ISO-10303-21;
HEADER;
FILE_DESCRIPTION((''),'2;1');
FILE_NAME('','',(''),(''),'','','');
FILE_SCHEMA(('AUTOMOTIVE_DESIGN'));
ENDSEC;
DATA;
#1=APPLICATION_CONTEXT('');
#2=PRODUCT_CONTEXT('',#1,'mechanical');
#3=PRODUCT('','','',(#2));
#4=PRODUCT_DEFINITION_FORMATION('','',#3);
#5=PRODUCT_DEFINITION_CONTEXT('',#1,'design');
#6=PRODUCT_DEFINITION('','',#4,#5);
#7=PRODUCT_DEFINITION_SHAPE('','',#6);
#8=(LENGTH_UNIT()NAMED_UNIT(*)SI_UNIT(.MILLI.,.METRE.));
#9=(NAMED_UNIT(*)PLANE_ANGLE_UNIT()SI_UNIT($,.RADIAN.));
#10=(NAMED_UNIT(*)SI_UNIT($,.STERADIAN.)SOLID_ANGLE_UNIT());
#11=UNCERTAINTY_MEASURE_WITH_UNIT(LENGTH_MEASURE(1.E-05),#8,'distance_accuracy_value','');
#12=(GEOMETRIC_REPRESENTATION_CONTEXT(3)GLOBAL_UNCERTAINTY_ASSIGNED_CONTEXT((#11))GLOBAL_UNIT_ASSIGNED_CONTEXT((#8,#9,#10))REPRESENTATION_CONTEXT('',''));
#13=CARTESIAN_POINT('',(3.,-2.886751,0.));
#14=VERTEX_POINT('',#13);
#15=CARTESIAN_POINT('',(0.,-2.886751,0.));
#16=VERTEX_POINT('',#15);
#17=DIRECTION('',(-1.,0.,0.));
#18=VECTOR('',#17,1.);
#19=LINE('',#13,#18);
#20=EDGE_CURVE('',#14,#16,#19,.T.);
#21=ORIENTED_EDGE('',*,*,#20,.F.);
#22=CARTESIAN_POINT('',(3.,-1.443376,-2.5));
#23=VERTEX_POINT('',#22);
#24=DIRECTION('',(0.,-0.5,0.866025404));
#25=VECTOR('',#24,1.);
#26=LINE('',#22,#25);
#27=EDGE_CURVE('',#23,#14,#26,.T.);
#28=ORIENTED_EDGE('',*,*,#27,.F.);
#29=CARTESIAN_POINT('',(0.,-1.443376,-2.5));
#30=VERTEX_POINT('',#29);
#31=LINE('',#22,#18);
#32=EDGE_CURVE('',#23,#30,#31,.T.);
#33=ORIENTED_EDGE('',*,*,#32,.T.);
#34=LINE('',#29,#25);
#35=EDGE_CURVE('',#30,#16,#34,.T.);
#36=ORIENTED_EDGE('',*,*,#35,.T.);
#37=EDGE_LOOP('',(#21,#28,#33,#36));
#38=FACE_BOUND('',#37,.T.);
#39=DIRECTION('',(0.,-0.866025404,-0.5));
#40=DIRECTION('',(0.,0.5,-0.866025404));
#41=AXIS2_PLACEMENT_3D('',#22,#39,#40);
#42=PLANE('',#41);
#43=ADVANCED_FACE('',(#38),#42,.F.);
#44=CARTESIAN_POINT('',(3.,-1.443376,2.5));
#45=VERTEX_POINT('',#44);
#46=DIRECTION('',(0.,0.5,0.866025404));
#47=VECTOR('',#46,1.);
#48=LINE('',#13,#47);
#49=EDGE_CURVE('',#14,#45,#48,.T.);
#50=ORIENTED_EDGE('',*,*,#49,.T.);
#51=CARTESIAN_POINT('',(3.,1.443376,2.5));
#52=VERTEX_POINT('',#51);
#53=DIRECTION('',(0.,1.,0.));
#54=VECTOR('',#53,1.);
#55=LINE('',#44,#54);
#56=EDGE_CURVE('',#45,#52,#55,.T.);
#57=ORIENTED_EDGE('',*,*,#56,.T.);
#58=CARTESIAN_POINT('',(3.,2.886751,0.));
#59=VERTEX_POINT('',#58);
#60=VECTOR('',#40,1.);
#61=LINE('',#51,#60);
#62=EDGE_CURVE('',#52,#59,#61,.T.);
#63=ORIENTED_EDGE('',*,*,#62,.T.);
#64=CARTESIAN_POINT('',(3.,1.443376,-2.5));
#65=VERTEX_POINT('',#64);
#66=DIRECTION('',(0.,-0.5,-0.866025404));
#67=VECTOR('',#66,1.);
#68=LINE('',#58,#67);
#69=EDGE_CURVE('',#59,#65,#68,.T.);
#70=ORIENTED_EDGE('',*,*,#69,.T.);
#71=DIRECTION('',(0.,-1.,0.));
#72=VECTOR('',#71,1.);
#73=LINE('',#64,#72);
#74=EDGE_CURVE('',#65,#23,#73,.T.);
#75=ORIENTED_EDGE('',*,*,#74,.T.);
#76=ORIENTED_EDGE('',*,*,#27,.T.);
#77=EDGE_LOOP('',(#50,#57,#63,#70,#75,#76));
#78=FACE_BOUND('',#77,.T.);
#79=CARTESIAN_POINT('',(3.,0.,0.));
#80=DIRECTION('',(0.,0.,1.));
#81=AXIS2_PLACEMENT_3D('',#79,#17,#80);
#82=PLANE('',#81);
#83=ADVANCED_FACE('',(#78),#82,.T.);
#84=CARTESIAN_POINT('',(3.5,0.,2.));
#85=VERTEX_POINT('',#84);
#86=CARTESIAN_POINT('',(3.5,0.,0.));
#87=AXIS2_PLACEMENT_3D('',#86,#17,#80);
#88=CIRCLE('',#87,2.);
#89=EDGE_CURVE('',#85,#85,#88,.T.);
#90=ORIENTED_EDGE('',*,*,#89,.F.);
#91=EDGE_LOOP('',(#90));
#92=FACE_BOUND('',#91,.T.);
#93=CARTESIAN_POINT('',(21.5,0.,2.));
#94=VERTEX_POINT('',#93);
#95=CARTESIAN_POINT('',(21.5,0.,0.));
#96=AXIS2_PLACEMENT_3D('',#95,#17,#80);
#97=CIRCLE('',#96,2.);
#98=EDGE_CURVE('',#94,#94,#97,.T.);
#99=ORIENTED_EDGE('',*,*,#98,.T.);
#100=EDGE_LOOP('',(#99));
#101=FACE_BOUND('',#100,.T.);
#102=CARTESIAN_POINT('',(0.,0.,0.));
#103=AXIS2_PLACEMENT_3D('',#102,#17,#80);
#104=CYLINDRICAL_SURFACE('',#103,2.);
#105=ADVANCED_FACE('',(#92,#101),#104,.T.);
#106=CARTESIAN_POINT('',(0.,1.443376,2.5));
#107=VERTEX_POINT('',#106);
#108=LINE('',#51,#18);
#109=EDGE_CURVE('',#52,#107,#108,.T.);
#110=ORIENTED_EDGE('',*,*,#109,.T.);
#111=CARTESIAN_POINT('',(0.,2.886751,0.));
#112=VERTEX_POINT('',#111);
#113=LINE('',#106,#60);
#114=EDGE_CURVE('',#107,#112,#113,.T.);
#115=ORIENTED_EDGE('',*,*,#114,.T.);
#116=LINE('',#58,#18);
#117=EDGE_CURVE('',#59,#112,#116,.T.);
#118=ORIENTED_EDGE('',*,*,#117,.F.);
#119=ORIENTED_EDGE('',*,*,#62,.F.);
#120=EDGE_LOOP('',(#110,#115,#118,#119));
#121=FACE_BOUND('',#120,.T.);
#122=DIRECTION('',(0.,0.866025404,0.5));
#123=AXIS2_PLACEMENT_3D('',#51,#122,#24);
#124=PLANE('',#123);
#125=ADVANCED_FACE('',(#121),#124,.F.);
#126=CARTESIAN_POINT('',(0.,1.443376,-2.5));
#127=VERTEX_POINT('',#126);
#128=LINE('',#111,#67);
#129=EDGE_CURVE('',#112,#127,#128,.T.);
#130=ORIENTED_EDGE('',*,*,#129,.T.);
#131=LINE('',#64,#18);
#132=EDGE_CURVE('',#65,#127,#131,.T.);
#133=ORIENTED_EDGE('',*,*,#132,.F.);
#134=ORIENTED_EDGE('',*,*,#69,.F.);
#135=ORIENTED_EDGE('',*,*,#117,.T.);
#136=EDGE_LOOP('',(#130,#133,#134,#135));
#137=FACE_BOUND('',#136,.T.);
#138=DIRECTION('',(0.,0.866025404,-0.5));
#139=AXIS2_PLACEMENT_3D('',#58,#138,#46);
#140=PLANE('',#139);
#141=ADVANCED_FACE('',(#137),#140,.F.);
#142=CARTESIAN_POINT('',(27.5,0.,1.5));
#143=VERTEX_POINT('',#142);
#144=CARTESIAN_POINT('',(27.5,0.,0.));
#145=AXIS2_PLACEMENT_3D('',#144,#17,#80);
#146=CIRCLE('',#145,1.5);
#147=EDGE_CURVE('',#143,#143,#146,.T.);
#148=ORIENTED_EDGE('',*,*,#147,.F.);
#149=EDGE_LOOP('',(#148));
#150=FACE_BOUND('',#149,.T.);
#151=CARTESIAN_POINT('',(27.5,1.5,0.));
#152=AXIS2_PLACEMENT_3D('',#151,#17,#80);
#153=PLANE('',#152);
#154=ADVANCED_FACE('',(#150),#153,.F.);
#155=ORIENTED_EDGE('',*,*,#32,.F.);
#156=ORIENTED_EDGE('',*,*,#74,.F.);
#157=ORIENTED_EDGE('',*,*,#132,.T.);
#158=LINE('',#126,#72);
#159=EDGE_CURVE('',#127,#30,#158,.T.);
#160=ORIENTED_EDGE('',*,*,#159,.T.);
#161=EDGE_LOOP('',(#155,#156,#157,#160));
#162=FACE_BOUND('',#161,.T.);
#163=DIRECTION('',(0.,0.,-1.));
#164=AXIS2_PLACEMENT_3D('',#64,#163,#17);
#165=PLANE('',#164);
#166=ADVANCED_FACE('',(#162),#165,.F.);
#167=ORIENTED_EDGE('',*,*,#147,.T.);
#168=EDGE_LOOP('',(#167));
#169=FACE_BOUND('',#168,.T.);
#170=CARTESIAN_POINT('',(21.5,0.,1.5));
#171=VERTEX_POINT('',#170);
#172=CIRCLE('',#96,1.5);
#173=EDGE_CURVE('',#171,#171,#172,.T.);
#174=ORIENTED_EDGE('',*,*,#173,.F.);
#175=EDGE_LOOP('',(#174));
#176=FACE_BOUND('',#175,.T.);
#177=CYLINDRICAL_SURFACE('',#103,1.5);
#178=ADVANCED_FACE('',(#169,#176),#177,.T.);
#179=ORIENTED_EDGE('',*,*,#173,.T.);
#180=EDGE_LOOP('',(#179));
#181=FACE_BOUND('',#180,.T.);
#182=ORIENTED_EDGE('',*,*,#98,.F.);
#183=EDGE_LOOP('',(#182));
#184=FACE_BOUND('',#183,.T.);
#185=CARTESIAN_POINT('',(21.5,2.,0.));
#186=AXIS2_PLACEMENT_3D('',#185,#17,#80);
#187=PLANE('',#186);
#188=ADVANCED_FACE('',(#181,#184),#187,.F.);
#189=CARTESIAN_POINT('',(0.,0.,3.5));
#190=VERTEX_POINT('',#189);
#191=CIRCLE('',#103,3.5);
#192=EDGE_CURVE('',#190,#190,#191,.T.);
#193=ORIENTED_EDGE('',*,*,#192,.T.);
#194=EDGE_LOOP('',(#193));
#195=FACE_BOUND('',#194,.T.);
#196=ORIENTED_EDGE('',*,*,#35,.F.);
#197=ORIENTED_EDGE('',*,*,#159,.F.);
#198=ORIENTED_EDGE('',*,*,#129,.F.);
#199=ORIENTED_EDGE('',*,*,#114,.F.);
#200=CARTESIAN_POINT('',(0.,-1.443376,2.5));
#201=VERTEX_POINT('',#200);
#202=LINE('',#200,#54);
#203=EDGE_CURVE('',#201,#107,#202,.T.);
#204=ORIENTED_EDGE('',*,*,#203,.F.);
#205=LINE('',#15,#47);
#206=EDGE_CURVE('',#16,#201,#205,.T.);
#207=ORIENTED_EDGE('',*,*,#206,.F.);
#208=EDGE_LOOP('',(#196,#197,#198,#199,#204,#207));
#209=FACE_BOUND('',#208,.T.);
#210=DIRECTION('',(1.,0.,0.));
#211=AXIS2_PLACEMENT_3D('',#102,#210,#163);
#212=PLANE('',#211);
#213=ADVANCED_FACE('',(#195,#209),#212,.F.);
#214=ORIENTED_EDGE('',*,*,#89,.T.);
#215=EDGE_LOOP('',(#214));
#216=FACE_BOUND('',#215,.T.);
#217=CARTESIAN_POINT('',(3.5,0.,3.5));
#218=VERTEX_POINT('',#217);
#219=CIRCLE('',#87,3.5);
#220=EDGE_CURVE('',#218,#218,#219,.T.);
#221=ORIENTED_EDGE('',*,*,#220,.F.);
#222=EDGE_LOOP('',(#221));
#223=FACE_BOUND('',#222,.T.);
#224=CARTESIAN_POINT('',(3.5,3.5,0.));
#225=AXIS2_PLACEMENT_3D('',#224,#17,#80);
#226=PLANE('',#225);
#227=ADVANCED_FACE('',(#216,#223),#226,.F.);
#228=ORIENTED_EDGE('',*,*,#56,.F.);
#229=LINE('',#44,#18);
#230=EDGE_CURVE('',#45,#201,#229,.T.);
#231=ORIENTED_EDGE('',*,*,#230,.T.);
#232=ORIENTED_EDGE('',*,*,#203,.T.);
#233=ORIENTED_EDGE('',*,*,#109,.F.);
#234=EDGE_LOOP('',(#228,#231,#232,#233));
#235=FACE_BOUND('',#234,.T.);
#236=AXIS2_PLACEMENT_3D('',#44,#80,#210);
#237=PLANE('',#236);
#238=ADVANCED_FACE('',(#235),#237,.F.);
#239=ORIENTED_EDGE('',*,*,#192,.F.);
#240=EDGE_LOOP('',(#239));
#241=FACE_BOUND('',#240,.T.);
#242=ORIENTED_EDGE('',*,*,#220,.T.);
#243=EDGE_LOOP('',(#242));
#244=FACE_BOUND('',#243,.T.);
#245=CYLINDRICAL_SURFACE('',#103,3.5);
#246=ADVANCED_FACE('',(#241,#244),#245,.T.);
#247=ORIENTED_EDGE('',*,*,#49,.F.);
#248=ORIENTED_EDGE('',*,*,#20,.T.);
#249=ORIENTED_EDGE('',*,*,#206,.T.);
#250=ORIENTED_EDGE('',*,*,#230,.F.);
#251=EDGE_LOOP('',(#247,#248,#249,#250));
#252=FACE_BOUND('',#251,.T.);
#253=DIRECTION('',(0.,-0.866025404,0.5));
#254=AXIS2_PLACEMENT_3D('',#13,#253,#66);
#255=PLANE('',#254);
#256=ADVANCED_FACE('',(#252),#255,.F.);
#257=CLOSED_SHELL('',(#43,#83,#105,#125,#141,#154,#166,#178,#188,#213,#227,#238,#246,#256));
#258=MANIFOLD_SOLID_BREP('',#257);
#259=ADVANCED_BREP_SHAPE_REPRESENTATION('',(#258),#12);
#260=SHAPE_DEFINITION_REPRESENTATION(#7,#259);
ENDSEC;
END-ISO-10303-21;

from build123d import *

# Parameters (mm, degrees)
CUT_EXTRUDE_1_DEPTH = 3


with BuildPart() as part:
    # 草图1 → 旋转1 (revolve)
    with BuildSketch(Plane.XY, mode=Mode.PRIVATE) as revolve_1_sk:
        Polygon((0, 0), (0, 3.5), (3.5, 3.5), (3.5, 2), (21.5, 2), (21.5, 1.5), (27.5, 1.5), (27.5, 0), align=None)
    revolve(revolve_1_sk.sketch.rotate(Axis((0, 0, 0), (1, 0, 0)), 90), axis=Axis((0, 0, 0), (1, 0, 0)))

    # 草图2 → 切除-拉伸1 (cut)
    with BuildSketch(Plane.ZY):
        Polygon((0, 2.886751346), (-2.5, 1.443375673), (-2.5, -1.443375673), (0, -2.886751346), (2.5, -1.443375673), (2.5, 1.443375673), align=None)
    extrude(amount=-CUT_EXTRUDE_1_DEPTH, mode=Mode.SUBTRACT)


solid = part.part
